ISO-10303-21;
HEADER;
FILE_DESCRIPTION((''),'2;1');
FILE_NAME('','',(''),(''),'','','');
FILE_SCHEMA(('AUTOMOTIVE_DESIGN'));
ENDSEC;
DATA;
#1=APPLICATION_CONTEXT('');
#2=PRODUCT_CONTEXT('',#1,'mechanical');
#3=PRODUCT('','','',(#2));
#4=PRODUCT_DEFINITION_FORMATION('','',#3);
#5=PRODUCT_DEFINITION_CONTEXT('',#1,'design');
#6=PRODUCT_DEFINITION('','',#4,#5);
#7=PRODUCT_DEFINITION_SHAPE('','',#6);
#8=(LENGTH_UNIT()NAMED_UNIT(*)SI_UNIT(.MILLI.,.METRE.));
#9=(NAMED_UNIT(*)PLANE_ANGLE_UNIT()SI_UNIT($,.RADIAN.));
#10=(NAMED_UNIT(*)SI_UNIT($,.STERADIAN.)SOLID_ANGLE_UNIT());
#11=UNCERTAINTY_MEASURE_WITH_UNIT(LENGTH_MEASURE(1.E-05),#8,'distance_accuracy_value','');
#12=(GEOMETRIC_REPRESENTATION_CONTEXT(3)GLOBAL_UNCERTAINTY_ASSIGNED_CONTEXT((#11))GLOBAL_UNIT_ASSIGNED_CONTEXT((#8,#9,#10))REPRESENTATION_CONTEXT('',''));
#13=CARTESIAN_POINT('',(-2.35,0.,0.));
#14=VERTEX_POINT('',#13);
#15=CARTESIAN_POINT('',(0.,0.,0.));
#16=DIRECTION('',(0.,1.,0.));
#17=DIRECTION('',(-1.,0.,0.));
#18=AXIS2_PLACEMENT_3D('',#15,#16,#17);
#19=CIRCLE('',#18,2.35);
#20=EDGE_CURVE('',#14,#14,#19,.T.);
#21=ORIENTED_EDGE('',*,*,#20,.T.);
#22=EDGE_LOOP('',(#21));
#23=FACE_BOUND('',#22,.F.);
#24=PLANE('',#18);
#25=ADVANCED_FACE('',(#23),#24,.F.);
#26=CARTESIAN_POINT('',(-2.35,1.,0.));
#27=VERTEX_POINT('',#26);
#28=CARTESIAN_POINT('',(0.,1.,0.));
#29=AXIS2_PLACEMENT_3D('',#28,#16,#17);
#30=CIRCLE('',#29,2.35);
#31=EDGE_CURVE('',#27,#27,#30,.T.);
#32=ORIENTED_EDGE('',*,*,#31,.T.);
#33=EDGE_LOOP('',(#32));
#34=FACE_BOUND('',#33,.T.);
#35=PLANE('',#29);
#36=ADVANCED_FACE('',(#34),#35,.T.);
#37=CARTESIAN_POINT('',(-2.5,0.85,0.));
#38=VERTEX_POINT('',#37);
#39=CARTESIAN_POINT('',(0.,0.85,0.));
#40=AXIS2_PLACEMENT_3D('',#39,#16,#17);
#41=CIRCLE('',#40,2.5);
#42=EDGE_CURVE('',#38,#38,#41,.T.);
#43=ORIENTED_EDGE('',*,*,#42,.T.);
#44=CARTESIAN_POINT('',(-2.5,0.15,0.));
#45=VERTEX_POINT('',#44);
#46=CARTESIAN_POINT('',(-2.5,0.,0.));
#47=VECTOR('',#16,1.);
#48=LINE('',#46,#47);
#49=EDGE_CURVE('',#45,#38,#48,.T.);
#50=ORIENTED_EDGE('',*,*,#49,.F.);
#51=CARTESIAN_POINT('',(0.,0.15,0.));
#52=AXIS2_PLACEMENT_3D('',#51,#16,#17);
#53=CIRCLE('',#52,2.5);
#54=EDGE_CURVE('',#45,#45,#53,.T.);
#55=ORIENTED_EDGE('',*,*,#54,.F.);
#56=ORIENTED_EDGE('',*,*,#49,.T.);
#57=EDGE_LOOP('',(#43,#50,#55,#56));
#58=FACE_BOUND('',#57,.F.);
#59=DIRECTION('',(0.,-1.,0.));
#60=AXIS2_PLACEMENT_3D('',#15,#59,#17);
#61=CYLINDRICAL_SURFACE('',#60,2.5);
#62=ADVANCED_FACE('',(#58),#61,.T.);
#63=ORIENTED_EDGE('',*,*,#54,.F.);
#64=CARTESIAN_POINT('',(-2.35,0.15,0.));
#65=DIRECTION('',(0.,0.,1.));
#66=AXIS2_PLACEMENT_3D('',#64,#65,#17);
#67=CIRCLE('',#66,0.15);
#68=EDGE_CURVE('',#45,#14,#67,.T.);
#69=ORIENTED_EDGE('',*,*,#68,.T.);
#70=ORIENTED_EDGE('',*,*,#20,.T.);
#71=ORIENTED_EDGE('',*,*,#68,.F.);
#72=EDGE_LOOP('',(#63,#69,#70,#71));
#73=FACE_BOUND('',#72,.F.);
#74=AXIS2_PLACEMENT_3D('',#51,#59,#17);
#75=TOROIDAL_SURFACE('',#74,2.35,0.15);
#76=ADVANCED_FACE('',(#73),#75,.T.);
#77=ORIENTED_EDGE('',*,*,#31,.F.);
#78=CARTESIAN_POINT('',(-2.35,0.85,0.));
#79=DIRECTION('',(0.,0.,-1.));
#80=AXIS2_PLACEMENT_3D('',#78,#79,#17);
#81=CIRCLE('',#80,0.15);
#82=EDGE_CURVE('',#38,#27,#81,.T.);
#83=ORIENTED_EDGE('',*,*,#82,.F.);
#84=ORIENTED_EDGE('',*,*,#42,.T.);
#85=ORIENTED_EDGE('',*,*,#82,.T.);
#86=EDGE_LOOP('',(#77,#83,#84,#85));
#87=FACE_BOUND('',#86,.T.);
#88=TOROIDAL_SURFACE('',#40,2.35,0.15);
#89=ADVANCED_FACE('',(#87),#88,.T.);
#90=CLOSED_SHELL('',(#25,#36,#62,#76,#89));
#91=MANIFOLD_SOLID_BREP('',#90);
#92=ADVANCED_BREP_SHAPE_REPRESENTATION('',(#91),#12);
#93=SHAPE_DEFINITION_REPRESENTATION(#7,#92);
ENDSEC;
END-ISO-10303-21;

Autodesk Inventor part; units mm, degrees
ref_plane "YZ Plane" through (0, 0, 0) normal (1, 0, 0) x (0, 1, 0)
ref_plane "XZ Plane" through (0, 0, 0) normal (0, 1, 0) x (-1, 0, 0)
ref_plane "XY Plane" through (0, 0, 0) normal (0, 0, 1) x (1, 0, 0)
sketch "Sketch2" plane through (0, 0, 0) normal (0, 1, 0) x (-1, 0, 0)
  circle A0 centre (0, 0) radius 2.5
  dimension "d0" = 5
extrude "Extrusion1" add sketch "Sketch2" along normal blind 1
fillet "Fillet1" radius 0.15 2 edges at (2.5, 1, 0) (2.5, 0, 0)
properties part number "Magnet_5x1mm"
